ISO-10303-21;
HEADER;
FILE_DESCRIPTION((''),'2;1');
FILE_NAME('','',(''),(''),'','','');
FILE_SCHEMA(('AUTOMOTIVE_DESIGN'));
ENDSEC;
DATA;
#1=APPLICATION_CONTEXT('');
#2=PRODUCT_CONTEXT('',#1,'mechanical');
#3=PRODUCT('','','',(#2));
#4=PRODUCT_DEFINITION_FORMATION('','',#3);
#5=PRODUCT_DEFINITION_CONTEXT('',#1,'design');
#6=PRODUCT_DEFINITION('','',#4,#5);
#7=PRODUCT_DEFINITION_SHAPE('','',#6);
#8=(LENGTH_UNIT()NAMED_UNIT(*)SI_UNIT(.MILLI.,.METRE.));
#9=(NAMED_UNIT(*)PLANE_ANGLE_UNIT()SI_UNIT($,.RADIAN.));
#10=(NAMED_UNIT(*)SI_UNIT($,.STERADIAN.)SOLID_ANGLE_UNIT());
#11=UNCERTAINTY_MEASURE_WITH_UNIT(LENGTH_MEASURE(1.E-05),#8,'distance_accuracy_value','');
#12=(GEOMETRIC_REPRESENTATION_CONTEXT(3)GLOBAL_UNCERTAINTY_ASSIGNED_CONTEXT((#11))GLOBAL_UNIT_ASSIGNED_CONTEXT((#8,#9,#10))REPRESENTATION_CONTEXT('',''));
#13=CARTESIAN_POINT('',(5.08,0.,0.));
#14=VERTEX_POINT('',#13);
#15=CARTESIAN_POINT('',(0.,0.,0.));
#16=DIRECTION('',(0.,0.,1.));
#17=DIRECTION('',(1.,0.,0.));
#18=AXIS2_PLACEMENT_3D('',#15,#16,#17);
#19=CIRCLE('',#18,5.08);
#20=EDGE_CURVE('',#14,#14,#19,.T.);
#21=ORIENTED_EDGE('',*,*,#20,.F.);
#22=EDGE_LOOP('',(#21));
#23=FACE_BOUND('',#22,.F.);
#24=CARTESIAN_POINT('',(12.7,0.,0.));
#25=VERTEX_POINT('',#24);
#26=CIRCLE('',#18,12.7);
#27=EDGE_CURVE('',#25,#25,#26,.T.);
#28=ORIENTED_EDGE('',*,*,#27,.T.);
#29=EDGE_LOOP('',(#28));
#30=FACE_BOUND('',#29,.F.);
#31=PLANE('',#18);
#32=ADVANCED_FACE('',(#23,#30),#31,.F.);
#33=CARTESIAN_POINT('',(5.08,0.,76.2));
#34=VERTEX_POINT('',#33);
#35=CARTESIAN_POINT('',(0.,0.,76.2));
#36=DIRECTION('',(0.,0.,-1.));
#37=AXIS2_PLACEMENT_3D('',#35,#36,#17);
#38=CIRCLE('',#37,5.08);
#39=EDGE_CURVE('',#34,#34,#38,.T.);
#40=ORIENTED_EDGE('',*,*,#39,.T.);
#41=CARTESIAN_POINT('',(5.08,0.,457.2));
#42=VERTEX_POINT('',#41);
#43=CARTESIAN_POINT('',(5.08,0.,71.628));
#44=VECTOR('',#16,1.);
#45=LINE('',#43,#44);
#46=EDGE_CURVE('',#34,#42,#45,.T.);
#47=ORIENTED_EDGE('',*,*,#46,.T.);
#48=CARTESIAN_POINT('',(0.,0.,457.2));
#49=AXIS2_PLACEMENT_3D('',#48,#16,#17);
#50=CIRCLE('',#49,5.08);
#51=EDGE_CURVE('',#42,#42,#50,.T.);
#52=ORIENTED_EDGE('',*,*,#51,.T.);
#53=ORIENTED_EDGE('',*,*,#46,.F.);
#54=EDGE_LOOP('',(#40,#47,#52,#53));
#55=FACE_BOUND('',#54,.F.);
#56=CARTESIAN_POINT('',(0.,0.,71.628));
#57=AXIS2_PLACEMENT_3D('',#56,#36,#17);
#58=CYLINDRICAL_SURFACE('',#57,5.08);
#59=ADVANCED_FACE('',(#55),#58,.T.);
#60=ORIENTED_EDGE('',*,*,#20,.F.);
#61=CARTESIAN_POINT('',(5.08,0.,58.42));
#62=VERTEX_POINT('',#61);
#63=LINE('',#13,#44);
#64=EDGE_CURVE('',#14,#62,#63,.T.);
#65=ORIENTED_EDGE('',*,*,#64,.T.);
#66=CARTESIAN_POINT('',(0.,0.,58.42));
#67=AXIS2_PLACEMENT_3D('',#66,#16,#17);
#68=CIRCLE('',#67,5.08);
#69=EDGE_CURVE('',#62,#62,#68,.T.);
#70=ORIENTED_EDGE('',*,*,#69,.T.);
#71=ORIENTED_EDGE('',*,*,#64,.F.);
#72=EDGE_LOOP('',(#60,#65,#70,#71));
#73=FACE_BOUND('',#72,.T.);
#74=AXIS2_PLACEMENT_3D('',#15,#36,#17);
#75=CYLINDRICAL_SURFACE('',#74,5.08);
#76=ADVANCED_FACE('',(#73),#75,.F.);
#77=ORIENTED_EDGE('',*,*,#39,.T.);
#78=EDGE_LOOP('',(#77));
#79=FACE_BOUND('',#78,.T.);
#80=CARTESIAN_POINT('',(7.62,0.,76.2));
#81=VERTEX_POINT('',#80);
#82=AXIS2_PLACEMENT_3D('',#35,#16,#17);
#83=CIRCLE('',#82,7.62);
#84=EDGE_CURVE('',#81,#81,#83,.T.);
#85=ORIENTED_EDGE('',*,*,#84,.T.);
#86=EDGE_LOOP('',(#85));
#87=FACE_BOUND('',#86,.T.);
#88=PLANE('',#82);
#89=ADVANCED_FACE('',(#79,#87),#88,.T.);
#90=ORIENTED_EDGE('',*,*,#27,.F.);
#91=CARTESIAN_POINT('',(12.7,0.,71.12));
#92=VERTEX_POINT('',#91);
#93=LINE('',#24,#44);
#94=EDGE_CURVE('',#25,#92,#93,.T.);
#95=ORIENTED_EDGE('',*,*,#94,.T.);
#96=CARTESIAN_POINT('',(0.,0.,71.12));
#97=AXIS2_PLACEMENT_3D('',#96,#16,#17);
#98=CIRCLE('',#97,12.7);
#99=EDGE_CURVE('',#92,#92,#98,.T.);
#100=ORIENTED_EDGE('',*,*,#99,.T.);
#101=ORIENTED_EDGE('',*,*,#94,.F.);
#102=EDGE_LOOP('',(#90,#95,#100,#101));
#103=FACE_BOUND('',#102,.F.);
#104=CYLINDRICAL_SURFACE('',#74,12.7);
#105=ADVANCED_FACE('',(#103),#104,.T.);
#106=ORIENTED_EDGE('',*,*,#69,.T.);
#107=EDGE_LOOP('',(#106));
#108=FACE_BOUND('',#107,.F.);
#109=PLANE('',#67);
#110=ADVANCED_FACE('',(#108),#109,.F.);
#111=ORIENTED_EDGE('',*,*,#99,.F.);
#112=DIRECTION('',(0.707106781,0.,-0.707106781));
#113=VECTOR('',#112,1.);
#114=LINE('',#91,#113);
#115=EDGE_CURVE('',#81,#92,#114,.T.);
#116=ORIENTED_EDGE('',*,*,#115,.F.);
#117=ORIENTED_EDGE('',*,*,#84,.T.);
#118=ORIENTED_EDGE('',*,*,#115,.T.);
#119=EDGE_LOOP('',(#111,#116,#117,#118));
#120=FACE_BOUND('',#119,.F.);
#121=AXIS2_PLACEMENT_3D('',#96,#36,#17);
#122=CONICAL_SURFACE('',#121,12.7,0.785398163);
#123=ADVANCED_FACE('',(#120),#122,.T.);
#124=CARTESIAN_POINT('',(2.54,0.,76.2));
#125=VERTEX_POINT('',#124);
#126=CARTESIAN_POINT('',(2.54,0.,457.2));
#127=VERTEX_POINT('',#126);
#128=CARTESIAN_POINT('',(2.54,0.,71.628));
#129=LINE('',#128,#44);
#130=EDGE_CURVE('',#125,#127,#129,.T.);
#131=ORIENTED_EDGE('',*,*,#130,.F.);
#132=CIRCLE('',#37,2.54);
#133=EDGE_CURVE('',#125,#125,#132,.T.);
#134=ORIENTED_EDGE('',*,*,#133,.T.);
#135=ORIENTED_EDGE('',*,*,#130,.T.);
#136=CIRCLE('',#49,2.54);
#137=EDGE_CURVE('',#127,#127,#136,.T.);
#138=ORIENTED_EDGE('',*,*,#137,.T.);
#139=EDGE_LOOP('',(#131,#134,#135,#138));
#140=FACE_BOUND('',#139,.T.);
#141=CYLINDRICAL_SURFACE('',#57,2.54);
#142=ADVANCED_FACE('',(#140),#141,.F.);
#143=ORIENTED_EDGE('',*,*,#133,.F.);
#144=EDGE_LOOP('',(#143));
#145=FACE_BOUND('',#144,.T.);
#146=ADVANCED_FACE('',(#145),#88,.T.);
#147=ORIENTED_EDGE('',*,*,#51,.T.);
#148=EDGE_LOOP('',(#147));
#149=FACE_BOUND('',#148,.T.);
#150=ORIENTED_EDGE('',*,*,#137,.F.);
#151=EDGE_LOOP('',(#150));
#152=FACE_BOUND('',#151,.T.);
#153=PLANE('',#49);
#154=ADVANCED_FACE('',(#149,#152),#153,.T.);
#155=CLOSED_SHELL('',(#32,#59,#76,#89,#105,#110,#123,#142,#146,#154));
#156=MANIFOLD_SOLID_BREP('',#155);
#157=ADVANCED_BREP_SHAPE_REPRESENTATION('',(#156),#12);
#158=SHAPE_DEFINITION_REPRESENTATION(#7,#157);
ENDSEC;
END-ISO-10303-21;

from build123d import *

# Parameters (mm, degrees)
F0_R     = 12.7
F0_R_2   = 5.08
F0_R_3   = 2.54
F1_DEPTH = 76.2
F2_DEPTH = 58.42
F3_START = 71.628
F3_DEPTH = 385.572
F4_SIZE  = 5.08


with BuildPart() as f1:
    # F0 (on Top) → F1 (new body)
    with BuildSketch(Plane.XY):
        Circle(F0_R)
        Circle(F0_R_2, mode=Mode.SUBTRACT)
        Circle(F0_R_2)
        Circle(F0_R_3, mode=Mode.SUBTRACT)
        Circle(F0_R_3)
    extrude(amount=F1_DEPTH)

    # F0 (on Top) → F2 (cut)
    with BuildSketch(Plane.XY):
        Circle(F0_R_2)
        Circle(F0_R_3, mode=Mode.SUBTRACT)
        Circle(F0_R_3)
    extrude(amount=F2_DEPTH, mode=Mode.SUBTRACT)

    # F0 (on Top) → F3 (join)
    with BuildSketch(Plane.XY.offset(F3_START)):
        Circle(F0_R_2)
        Circle(F0_R_3, mode=Mode.SUBTRACT)
    extrude(amount=F3_DEPTH)

    # F4
    f4_edges = [f1.edges().sort_by_distance(p)[0] for p in [
        (-12.7, 0, 76.2),
    ]]
    chamfer(f4_edges, length=F4_SIZE)


solid = f1.part
